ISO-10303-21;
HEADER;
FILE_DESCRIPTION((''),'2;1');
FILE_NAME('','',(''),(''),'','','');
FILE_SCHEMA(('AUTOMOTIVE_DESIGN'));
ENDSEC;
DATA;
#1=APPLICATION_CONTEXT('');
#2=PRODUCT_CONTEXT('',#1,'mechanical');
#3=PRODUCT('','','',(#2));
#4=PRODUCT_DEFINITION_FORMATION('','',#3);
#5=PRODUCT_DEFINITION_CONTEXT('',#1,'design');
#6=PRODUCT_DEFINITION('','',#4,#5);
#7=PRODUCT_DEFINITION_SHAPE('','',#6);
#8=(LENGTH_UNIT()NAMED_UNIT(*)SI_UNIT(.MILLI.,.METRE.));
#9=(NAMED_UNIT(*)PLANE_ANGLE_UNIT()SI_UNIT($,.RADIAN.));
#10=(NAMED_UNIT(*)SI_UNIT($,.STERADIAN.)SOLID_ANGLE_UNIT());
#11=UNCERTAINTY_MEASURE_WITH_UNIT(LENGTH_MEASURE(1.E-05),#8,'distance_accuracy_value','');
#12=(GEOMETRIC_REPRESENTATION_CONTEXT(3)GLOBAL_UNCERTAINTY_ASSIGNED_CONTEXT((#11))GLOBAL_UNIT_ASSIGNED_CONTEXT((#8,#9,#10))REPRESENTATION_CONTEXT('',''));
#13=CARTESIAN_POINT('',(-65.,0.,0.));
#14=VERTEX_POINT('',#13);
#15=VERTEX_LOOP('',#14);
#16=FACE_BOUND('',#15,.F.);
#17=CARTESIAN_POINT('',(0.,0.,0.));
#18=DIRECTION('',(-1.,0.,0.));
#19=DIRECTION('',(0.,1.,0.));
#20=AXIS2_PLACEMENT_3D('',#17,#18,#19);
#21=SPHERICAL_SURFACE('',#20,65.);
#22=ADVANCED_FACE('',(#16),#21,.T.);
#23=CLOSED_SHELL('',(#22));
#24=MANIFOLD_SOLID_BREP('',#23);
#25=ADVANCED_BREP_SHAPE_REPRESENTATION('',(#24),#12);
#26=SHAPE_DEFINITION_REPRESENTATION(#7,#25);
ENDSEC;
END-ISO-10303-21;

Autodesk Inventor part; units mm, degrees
ref_plane "YZ Plane" through (0, 0, 0) normal (1, 0, 0) x (0, 1, 0)
ref_plane "XZ Plane" through (0, 0, 0) normal (0, 1, 0) x (-1, 0, 0)
ref_plane "XY Plane" through (0, 0, 0) normal (0, 0, 1) x (1, 0, 0)
sketch "スケッチ1" plane through (0, 0, 0) normal (0, 0, 1) x (1, 0, 0)
  line L0 (-65, 0) -> (65, 0)
  arc A0 (65, 0) -> (-65, 0) centre (0, 0) ccw
  dimension "d0" = 130
revolve "回転1" add sketch "スケッチ1" angle 360 about axis through (-65, 0, 0) along (1, 0, 0)
properties part number "Ball"
